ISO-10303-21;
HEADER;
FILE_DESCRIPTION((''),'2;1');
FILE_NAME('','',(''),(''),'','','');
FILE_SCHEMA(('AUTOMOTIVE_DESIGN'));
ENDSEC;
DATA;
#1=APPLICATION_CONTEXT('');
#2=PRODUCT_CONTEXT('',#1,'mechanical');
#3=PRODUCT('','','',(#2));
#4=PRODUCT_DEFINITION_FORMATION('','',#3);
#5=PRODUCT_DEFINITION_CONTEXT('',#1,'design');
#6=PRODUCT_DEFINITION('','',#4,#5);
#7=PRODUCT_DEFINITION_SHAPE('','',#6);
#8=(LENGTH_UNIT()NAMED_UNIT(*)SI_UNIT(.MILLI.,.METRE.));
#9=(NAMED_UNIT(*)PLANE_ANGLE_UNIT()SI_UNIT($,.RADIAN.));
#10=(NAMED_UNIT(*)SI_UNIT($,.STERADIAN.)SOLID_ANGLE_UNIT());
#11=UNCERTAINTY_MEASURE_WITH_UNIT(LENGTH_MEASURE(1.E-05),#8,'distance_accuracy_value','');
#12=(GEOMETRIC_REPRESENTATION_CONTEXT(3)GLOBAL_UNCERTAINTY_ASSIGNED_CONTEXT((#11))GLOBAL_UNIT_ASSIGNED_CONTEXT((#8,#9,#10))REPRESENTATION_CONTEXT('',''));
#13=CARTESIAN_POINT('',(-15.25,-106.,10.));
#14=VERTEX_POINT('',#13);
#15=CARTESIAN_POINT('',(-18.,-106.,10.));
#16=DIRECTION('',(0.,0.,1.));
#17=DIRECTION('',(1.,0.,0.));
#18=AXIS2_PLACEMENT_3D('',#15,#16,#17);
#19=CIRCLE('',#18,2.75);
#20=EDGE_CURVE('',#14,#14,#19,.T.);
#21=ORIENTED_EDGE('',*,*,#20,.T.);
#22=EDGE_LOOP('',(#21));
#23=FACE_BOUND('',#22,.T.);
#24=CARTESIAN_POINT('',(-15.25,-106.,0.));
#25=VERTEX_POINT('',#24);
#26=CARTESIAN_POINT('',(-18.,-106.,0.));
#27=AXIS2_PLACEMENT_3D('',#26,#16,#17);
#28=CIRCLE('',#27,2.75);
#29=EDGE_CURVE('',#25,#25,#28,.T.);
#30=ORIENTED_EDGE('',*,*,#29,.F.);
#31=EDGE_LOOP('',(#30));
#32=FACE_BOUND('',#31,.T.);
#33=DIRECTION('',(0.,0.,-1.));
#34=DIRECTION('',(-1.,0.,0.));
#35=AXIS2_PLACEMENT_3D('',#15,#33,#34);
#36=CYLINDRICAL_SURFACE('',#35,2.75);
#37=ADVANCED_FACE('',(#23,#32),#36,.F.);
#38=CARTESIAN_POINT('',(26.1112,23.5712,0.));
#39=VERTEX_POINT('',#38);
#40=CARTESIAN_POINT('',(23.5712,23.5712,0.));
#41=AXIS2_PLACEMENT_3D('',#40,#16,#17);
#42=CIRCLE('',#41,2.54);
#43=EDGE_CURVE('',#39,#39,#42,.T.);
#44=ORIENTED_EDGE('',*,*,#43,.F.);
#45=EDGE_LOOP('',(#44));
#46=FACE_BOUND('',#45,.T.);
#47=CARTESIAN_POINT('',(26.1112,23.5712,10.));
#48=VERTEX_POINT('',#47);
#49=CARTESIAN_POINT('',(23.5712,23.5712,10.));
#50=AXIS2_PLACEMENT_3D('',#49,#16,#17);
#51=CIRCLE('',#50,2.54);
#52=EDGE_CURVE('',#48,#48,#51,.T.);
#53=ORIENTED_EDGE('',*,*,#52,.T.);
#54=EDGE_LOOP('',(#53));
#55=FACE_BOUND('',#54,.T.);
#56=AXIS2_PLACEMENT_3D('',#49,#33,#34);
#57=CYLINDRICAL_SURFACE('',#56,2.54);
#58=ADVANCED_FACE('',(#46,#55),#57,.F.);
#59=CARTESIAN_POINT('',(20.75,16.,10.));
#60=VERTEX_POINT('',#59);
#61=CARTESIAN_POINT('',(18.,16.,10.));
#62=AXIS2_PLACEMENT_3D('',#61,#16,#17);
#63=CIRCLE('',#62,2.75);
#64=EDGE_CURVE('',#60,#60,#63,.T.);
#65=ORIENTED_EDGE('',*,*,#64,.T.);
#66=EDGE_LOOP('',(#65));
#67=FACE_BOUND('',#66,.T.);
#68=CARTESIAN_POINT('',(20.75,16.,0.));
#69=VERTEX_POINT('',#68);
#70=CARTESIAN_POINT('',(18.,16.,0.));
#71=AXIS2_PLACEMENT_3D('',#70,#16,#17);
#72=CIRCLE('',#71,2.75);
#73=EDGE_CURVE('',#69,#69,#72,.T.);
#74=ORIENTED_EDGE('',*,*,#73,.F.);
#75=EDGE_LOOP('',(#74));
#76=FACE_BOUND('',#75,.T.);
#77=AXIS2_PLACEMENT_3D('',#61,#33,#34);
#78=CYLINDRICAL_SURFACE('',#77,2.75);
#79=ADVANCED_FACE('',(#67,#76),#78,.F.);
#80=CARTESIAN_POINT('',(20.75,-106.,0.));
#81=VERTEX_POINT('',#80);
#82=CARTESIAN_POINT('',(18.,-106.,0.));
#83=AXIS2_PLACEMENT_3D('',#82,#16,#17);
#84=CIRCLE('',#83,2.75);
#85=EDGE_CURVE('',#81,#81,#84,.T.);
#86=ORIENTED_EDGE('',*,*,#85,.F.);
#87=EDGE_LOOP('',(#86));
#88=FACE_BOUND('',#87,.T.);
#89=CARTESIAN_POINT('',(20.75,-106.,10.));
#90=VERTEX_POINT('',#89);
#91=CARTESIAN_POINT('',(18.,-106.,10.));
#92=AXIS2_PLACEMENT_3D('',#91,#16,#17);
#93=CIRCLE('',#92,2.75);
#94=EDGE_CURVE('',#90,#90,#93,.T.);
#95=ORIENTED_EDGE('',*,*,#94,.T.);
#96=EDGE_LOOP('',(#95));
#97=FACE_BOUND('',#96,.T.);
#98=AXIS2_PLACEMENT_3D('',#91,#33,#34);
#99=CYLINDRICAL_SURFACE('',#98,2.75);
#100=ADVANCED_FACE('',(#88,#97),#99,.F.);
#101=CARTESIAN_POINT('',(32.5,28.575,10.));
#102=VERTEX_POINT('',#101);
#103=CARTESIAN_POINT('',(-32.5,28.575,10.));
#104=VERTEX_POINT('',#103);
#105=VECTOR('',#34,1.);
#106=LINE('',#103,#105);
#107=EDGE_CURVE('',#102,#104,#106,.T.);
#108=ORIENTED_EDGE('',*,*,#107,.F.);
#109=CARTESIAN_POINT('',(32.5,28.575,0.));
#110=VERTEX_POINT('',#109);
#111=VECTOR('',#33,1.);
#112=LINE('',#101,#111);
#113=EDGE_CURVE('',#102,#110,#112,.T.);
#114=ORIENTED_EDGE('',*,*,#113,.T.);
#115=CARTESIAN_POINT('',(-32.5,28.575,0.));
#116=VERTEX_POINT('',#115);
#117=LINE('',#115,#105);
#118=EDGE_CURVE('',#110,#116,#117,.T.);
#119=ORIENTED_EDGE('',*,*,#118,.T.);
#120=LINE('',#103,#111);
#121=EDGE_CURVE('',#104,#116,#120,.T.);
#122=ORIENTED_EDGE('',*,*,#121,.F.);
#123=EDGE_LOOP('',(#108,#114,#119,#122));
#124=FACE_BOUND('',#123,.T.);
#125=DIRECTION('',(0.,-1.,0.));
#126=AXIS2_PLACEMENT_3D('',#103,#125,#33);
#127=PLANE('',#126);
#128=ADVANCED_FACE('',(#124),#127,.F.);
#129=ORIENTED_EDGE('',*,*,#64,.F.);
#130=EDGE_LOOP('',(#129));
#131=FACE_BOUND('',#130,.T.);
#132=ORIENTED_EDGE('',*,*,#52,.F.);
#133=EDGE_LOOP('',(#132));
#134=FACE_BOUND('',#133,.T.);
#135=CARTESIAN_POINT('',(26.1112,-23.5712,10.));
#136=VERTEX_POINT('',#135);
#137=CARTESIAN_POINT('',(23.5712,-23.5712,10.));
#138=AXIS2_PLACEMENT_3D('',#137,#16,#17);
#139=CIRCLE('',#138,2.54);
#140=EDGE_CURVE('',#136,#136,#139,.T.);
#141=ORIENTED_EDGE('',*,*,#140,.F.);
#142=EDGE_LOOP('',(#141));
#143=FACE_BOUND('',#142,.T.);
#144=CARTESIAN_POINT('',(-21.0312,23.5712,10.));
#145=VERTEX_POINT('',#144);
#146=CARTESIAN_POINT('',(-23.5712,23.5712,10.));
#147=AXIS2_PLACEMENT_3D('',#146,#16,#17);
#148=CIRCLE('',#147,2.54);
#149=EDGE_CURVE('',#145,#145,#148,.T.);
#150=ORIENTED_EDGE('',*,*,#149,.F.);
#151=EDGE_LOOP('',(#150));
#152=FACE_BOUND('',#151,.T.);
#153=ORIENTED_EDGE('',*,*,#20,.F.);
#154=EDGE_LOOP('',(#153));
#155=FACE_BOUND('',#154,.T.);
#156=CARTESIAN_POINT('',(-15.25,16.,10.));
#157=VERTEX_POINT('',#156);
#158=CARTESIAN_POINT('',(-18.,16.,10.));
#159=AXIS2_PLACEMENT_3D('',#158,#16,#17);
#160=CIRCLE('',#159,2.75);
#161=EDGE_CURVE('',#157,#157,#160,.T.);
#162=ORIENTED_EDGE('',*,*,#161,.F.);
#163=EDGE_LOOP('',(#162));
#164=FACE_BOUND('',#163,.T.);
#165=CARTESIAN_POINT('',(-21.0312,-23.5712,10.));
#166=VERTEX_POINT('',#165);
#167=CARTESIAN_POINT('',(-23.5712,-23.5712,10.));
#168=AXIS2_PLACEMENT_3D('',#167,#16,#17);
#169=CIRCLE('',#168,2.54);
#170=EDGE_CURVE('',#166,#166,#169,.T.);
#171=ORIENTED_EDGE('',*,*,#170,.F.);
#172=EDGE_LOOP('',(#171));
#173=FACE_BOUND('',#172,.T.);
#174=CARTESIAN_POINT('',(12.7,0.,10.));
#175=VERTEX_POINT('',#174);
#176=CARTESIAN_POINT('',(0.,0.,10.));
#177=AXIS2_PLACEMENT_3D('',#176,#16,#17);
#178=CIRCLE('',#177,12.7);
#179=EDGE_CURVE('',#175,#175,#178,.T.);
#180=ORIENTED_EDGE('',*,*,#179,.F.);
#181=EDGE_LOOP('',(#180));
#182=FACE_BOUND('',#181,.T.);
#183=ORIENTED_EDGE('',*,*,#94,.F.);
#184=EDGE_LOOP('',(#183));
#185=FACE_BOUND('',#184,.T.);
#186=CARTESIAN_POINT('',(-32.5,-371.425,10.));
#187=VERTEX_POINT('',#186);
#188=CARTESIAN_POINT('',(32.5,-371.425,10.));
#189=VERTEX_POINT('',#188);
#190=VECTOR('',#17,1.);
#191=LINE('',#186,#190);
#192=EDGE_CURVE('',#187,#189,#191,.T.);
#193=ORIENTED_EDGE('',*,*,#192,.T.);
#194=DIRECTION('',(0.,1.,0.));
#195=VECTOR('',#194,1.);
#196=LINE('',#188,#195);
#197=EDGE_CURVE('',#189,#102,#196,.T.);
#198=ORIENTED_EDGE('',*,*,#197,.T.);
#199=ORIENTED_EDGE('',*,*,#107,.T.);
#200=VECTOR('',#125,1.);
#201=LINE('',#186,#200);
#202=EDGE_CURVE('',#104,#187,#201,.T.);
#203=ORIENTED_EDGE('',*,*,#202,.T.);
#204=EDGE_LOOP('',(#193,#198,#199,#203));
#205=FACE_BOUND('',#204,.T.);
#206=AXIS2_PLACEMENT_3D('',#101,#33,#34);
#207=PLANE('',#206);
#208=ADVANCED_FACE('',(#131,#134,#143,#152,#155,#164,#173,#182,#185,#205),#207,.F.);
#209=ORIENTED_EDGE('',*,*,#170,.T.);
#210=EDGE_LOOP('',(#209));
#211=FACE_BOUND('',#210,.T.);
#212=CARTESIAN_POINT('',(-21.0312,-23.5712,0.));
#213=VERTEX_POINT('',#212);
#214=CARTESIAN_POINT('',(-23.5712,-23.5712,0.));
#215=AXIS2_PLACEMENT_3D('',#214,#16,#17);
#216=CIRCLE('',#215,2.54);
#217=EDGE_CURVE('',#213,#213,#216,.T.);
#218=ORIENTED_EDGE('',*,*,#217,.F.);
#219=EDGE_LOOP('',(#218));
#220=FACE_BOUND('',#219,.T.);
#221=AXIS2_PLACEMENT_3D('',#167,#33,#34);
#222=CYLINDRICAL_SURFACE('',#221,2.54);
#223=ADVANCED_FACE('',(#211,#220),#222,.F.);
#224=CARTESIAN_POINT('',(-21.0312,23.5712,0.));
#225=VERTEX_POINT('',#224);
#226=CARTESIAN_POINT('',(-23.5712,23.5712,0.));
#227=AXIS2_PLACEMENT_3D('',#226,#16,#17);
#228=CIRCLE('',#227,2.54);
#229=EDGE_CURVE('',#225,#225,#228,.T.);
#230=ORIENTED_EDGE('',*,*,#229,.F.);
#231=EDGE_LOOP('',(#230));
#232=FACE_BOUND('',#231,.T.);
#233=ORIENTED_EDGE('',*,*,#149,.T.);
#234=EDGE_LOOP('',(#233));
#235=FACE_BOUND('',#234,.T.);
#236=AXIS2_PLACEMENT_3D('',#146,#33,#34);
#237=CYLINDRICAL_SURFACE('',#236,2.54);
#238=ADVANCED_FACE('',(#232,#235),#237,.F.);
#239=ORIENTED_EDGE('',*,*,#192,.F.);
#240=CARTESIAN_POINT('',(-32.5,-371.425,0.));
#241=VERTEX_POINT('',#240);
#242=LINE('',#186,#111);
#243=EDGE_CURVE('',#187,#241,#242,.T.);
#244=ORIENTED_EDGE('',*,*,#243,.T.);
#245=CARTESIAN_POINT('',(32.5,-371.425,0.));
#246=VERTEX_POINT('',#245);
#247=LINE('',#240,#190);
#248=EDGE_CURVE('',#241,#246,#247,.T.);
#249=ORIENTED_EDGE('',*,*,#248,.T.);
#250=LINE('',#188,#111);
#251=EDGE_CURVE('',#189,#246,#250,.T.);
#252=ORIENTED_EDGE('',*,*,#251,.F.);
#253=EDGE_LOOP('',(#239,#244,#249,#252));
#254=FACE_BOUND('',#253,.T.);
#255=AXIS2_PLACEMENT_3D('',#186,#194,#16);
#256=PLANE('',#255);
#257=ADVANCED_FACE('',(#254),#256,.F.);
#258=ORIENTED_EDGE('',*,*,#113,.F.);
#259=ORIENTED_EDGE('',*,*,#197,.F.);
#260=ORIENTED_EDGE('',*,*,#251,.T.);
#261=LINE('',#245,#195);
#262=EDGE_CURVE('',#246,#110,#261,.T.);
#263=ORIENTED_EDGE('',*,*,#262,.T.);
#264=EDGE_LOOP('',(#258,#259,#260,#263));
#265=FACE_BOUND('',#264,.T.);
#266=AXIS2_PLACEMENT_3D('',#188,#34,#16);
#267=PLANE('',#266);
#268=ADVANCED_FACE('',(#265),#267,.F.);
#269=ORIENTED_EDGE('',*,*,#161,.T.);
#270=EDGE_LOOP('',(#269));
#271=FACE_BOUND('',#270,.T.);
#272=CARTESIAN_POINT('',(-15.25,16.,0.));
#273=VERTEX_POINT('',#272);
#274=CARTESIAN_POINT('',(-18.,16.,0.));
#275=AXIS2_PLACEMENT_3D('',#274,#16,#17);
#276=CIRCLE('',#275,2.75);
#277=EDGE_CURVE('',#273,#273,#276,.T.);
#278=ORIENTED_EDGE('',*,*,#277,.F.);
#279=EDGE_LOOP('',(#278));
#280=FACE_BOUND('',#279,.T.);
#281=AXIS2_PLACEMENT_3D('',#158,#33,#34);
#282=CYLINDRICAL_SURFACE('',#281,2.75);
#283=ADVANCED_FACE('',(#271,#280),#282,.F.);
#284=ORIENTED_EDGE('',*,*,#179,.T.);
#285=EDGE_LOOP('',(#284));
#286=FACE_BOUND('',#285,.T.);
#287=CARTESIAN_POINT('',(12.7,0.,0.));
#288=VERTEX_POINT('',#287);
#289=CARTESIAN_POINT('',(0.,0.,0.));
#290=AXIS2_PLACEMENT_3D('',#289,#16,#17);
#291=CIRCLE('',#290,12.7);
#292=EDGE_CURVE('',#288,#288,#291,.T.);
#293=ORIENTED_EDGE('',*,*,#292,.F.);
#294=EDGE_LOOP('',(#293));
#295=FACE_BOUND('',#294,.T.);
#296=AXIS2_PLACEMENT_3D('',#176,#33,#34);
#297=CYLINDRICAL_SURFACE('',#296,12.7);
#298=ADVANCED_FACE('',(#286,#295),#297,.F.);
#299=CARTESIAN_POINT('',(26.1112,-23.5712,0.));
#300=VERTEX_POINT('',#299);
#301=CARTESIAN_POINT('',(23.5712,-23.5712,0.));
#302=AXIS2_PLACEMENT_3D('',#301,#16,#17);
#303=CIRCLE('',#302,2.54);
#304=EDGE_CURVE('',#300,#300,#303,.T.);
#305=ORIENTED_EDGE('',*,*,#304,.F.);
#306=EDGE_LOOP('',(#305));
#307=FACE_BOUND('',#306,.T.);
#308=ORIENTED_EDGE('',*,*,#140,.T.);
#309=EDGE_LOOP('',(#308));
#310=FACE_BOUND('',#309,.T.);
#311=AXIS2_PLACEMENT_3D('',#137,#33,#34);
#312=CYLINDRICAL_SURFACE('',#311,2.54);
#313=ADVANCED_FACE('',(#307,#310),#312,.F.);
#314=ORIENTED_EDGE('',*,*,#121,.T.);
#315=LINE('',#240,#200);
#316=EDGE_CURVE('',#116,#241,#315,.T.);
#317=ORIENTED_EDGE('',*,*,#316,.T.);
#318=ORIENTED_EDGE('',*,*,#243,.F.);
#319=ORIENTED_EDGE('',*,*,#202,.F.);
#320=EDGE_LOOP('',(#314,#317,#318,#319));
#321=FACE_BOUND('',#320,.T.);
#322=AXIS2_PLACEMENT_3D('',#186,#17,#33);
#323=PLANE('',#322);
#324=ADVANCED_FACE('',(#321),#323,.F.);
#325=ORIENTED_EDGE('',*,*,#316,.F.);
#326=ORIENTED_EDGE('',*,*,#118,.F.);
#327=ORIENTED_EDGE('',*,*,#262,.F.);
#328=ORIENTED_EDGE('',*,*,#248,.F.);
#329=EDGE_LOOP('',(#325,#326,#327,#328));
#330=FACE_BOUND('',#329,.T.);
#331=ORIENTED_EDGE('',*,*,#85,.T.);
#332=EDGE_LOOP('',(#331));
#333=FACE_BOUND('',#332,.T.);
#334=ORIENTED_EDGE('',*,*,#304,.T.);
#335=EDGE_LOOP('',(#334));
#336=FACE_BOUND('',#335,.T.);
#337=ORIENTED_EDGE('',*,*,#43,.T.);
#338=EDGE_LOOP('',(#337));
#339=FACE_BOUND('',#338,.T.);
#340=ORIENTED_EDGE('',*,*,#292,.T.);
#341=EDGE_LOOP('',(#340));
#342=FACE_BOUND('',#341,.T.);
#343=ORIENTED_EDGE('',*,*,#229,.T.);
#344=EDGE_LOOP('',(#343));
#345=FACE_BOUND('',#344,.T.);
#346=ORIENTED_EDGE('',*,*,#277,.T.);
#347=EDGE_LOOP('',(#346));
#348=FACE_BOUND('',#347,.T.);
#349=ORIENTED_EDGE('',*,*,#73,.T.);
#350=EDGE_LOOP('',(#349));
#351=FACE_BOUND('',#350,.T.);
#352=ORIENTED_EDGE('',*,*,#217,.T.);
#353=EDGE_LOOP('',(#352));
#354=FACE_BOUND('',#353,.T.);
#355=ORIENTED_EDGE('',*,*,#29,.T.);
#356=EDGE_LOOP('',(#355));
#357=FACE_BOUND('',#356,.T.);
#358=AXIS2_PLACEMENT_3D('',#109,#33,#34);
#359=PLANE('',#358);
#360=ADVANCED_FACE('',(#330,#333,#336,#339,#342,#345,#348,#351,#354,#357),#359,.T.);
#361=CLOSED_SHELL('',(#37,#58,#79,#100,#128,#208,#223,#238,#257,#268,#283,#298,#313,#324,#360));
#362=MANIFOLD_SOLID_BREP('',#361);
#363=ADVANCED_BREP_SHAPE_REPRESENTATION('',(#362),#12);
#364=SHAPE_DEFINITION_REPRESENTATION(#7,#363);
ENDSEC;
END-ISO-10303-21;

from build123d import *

# Parameters (mm, degrees)
SKETCH1_W           = 65
SKETCH1_H           = 400
SKETCH1_R           = 2.54
SKETCH1_R_2         = 12.7
SKETCH1_R_3         = 2.75
BOSS_EXTRUDE1_DEPTH = 10


with BuildPart() as part:
    # Sketch1 → Boss-Extrude1 (new body)
    with BuildSketch(Plane.XY):
        with Locations((0, -171.425)):
            Rectangle(SKETCH1_W, SKETCH1_H)
        with Locations((-23.5712, 23.5712)):
            Circle(SKETCH1_R, mode=Mode.SUBTRACT)
        with Locations((23.5712, 23.5712)):
            Circle(SKETCH1_R, mode=Mode.SUBTRACT)
        with Locations((23.5712, -23.5712)):
            Circle(SKETCH1_R, mode=Mode.SUBTRACT)
        with Locations((-23.5712, -23.5712)):
            Circle(SKETCH1_R, mode=Mode.SUBTRACT)
        Circle(SKETCH1_R_2, mode=Mode.SUBTRACT)
        with Locations((18, 16)):
            Circle(SKETCH1_R_3, mode=Mode.SUBTRACT)
        with Locations((-18, 16)):
            Circle(SKETCH1_R_3, mode=Mode.SUBTRACT)
        with Locations((18, -106)):
            Circle(SKETCH1_R_3, mode=Mode.SUBTRACT)
        with Locations((-18, -106)):
            Circle(SKETCH1_R_3, mode=Mode.SUBTRACT)
    extrude(amount=BOSS_EXTRUDE1_DEPTH)


solid = part.part
